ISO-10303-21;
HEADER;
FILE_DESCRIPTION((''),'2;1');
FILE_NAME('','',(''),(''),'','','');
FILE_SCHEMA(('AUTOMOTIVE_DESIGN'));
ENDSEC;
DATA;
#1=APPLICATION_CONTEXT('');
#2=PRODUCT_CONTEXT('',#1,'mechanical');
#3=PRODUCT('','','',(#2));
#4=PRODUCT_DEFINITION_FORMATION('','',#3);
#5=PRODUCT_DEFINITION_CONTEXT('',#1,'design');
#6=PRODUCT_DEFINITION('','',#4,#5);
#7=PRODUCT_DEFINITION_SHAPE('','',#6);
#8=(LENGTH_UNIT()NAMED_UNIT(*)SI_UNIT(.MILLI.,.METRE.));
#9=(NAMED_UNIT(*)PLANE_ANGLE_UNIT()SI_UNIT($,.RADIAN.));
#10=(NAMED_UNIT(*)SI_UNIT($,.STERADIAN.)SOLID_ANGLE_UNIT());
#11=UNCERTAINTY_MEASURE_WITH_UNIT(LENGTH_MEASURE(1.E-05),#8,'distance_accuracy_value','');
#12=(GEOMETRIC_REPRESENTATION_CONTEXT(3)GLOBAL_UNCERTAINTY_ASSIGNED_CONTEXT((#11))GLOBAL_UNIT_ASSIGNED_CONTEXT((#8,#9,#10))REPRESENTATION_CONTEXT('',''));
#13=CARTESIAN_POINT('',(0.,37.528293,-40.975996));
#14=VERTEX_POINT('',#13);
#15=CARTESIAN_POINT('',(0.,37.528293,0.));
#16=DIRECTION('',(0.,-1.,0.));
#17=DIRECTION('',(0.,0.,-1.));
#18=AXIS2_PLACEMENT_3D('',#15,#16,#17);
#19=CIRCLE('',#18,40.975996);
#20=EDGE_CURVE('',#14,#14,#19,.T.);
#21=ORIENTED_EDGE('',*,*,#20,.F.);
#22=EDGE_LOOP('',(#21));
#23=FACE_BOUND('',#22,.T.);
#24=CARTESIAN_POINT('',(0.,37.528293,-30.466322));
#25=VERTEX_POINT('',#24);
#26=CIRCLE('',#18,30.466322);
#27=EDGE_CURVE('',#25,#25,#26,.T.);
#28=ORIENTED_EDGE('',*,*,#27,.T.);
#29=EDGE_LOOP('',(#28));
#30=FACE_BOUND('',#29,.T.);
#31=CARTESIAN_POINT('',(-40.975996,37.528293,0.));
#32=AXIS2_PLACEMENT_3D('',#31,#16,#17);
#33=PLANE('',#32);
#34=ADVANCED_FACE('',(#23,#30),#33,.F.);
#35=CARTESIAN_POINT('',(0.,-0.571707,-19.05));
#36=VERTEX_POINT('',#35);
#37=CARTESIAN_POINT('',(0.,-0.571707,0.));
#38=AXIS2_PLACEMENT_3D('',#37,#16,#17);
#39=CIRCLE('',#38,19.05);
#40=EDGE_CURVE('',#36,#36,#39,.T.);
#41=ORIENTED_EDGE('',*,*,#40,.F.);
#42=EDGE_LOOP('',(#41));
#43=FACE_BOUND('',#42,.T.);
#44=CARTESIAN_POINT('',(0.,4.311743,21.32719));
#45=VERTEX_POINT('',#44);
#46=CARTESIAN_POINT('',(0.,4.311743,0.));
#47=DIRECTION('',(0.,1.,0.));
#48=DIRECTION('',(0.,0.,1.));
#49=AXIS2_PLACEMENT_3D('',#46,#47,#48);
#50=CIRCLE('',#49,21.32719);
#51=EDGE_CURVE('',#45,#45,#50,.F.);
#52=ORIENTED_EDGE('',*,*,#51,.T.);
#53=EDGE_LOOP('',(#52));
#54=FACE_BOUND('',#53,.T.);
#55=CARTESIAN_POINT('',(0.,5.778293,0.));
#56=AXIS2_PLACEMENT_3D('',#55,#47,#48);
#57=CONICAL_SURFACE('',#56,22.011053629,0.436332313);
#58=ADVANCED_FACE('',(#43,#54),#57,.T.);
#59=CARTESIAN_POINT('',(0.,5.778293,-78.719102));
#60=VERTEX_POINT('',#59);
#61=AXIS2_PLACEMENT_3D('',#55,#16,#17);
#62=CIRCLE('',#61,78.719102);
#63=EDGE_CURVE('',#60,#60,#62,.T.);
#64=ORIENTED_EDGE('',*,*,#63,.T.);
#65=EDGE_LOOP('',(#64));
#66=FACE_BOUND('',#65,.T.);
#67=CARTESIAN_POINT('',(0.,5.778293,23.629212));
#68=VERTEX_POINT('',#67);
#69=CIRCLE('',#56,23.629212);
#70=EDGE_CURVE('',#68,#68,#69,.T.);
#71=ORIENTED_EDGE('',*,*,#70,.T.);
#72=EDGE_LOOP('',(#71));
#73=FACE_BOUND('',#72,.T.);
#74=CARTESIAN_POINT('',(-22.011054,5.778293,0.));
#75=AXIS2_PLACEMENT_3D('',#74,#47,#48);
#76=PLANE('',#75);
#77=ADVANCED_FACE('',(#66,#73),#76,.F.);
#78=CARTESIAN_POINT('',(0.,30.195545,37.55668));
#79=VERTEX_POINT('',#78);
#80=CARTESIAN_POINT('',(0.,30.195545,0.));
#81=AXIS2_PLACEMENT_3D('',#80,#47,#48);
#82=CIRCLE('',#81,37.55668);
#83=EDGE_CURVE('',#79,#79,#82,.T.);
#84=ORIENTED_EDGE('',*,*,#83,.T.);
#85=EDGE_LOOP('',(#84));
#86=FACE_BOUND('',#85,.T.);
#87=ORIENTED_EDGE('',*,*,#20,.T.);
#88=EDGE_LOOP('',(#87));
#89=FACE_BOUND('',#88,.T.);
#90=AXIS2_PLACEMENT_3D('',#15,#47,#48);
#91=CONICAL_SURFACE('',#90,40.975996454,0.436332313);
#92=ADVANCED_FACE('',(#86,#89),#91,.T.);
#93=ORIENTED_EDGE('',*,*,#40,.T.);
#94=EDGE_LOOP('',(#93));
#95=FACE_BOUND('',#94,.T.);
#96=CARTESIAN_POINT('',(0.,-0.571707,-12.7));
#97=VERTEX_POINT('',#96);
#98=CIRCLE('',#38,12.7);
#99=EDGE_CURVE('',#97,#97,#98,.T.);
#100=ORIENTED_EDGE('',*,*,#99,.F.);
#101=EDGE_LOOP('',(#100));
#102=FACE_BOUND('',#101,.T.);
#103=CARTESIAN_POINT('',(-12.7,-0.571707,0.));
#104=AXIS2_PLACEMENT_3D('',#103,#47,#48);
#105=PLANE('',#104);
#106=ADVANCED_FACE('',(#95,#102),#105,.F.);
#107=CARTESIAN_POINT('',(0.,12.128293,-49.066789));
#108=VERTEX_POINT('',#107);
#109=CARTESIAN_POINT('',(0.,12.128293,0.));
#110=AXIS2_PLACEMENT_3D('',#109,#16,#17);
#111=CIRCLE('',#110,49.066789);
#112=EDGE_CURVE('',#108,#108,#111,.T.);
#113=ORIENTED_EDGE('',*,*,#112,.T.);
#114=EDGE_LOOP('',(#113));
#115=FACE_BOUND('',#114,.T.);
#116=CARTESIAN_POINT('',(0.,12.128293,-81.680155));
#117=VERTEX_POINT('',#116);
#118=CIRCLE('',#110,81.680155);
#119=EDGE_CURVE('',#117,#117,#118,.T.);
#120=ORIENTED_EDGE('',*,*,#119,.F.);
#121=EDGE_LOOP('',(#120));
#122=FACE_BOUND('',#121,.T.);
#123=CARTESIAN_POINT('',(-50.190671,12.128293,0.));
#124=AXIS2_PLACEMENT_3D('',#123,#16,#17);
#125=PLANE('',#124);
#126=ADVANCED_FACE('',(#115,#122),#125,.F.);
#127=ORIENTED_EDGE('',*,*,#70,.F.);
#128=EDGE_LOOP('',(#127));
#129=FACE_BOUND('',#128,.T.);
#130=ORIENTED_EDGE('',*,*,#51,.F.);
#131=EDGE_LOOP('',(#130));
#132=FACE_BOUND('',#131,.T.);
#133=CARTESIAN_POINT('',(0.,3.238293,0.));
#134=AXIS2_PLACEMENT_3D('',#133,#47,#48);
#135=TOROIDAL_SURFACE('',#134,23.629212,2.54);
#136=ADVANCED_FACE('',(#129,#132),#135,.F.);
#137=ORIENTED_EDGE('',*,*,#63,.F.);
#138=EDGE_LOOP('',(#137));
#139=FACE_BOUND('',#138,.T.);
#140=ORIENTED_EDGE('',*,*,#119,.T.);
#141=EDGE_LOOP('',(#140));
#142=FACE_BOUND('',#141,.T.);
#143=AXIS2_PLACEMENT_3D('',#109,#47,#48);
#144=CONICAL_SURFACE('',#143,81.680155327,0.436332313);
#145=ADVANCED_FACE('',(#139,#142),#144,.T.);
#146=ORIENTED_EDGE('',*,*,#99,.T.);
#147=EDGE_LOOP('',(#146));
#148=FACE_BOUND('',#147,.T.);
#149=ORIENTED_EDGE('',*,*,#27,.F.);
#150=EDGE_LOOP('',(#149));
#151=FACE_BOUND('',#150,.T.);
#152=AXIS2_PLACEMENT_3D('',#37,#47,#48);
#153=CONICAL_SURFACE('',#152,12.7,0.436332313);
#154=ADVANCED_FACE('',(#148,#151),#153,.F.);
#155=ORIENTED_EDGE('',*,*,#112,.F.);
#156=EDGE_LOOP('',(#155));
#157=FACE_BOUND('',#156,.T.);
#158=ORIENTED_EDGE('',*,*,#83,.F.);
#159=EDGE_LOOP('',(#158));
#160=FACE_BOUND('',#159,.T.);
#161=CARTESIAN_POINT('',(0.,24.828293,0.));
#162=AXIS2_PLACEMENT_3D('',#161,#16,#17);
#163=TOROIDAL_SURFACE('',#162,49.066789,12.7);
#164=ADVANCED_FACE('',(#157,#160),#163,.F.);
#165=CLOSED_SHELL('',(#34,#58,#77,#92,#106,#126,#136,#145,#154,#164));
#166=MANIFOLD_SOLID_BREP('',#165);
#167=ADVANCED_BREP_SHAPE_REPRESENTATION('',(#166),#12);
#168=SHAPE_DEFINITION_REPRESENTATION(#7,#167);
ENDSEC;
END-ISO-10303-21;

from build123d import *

# Parameters (mm, degrees)
FILLET2_R = 12.7
FILLET3_R = 2.54


with BuildPart() as part:
    # Sketch1 → Revolve2 (revolve)
    with BuildSketch(Plane.XY, mode=Mode.PRIVATE) as revolve2_sk:
        Polygon((-12.7, -0.571707157), (-30.466321776, 37.528292843), (-40.975996454, 37.528292843), (-29.131781937, 12.128292843), (-50.190671319, 12.128292843), (-81.680155327, 12.128292843), (-78.719101698, 5.778292843), (-22.011053629, 5.778292843), (-19.05, -0.571707157), align=None)
    revolve(revolve2_sk.sketch.rotate(Axis((0, 0, 0), (0, 1, 0)), 270), axis=Axis((0, 0, 0), (0, 1, 0)))

    # Fillet2
    fillet2_edges = [part.edges().sort_by_distance(p)[0] for p in [
        (0, 12.128292843, 29.131781937),
    ]]
    fillet(fillet2_edges, radius=FILLET2_R)

    # Fillet3
    fillet3_edges = [part.edges().sort_by_distance(p)[0] for p in [
        (0, 5.778292843, 22.011053629),
    ]]
    fillet(fillet3_edges, radius=FILLET3_R)


solid = part.part
